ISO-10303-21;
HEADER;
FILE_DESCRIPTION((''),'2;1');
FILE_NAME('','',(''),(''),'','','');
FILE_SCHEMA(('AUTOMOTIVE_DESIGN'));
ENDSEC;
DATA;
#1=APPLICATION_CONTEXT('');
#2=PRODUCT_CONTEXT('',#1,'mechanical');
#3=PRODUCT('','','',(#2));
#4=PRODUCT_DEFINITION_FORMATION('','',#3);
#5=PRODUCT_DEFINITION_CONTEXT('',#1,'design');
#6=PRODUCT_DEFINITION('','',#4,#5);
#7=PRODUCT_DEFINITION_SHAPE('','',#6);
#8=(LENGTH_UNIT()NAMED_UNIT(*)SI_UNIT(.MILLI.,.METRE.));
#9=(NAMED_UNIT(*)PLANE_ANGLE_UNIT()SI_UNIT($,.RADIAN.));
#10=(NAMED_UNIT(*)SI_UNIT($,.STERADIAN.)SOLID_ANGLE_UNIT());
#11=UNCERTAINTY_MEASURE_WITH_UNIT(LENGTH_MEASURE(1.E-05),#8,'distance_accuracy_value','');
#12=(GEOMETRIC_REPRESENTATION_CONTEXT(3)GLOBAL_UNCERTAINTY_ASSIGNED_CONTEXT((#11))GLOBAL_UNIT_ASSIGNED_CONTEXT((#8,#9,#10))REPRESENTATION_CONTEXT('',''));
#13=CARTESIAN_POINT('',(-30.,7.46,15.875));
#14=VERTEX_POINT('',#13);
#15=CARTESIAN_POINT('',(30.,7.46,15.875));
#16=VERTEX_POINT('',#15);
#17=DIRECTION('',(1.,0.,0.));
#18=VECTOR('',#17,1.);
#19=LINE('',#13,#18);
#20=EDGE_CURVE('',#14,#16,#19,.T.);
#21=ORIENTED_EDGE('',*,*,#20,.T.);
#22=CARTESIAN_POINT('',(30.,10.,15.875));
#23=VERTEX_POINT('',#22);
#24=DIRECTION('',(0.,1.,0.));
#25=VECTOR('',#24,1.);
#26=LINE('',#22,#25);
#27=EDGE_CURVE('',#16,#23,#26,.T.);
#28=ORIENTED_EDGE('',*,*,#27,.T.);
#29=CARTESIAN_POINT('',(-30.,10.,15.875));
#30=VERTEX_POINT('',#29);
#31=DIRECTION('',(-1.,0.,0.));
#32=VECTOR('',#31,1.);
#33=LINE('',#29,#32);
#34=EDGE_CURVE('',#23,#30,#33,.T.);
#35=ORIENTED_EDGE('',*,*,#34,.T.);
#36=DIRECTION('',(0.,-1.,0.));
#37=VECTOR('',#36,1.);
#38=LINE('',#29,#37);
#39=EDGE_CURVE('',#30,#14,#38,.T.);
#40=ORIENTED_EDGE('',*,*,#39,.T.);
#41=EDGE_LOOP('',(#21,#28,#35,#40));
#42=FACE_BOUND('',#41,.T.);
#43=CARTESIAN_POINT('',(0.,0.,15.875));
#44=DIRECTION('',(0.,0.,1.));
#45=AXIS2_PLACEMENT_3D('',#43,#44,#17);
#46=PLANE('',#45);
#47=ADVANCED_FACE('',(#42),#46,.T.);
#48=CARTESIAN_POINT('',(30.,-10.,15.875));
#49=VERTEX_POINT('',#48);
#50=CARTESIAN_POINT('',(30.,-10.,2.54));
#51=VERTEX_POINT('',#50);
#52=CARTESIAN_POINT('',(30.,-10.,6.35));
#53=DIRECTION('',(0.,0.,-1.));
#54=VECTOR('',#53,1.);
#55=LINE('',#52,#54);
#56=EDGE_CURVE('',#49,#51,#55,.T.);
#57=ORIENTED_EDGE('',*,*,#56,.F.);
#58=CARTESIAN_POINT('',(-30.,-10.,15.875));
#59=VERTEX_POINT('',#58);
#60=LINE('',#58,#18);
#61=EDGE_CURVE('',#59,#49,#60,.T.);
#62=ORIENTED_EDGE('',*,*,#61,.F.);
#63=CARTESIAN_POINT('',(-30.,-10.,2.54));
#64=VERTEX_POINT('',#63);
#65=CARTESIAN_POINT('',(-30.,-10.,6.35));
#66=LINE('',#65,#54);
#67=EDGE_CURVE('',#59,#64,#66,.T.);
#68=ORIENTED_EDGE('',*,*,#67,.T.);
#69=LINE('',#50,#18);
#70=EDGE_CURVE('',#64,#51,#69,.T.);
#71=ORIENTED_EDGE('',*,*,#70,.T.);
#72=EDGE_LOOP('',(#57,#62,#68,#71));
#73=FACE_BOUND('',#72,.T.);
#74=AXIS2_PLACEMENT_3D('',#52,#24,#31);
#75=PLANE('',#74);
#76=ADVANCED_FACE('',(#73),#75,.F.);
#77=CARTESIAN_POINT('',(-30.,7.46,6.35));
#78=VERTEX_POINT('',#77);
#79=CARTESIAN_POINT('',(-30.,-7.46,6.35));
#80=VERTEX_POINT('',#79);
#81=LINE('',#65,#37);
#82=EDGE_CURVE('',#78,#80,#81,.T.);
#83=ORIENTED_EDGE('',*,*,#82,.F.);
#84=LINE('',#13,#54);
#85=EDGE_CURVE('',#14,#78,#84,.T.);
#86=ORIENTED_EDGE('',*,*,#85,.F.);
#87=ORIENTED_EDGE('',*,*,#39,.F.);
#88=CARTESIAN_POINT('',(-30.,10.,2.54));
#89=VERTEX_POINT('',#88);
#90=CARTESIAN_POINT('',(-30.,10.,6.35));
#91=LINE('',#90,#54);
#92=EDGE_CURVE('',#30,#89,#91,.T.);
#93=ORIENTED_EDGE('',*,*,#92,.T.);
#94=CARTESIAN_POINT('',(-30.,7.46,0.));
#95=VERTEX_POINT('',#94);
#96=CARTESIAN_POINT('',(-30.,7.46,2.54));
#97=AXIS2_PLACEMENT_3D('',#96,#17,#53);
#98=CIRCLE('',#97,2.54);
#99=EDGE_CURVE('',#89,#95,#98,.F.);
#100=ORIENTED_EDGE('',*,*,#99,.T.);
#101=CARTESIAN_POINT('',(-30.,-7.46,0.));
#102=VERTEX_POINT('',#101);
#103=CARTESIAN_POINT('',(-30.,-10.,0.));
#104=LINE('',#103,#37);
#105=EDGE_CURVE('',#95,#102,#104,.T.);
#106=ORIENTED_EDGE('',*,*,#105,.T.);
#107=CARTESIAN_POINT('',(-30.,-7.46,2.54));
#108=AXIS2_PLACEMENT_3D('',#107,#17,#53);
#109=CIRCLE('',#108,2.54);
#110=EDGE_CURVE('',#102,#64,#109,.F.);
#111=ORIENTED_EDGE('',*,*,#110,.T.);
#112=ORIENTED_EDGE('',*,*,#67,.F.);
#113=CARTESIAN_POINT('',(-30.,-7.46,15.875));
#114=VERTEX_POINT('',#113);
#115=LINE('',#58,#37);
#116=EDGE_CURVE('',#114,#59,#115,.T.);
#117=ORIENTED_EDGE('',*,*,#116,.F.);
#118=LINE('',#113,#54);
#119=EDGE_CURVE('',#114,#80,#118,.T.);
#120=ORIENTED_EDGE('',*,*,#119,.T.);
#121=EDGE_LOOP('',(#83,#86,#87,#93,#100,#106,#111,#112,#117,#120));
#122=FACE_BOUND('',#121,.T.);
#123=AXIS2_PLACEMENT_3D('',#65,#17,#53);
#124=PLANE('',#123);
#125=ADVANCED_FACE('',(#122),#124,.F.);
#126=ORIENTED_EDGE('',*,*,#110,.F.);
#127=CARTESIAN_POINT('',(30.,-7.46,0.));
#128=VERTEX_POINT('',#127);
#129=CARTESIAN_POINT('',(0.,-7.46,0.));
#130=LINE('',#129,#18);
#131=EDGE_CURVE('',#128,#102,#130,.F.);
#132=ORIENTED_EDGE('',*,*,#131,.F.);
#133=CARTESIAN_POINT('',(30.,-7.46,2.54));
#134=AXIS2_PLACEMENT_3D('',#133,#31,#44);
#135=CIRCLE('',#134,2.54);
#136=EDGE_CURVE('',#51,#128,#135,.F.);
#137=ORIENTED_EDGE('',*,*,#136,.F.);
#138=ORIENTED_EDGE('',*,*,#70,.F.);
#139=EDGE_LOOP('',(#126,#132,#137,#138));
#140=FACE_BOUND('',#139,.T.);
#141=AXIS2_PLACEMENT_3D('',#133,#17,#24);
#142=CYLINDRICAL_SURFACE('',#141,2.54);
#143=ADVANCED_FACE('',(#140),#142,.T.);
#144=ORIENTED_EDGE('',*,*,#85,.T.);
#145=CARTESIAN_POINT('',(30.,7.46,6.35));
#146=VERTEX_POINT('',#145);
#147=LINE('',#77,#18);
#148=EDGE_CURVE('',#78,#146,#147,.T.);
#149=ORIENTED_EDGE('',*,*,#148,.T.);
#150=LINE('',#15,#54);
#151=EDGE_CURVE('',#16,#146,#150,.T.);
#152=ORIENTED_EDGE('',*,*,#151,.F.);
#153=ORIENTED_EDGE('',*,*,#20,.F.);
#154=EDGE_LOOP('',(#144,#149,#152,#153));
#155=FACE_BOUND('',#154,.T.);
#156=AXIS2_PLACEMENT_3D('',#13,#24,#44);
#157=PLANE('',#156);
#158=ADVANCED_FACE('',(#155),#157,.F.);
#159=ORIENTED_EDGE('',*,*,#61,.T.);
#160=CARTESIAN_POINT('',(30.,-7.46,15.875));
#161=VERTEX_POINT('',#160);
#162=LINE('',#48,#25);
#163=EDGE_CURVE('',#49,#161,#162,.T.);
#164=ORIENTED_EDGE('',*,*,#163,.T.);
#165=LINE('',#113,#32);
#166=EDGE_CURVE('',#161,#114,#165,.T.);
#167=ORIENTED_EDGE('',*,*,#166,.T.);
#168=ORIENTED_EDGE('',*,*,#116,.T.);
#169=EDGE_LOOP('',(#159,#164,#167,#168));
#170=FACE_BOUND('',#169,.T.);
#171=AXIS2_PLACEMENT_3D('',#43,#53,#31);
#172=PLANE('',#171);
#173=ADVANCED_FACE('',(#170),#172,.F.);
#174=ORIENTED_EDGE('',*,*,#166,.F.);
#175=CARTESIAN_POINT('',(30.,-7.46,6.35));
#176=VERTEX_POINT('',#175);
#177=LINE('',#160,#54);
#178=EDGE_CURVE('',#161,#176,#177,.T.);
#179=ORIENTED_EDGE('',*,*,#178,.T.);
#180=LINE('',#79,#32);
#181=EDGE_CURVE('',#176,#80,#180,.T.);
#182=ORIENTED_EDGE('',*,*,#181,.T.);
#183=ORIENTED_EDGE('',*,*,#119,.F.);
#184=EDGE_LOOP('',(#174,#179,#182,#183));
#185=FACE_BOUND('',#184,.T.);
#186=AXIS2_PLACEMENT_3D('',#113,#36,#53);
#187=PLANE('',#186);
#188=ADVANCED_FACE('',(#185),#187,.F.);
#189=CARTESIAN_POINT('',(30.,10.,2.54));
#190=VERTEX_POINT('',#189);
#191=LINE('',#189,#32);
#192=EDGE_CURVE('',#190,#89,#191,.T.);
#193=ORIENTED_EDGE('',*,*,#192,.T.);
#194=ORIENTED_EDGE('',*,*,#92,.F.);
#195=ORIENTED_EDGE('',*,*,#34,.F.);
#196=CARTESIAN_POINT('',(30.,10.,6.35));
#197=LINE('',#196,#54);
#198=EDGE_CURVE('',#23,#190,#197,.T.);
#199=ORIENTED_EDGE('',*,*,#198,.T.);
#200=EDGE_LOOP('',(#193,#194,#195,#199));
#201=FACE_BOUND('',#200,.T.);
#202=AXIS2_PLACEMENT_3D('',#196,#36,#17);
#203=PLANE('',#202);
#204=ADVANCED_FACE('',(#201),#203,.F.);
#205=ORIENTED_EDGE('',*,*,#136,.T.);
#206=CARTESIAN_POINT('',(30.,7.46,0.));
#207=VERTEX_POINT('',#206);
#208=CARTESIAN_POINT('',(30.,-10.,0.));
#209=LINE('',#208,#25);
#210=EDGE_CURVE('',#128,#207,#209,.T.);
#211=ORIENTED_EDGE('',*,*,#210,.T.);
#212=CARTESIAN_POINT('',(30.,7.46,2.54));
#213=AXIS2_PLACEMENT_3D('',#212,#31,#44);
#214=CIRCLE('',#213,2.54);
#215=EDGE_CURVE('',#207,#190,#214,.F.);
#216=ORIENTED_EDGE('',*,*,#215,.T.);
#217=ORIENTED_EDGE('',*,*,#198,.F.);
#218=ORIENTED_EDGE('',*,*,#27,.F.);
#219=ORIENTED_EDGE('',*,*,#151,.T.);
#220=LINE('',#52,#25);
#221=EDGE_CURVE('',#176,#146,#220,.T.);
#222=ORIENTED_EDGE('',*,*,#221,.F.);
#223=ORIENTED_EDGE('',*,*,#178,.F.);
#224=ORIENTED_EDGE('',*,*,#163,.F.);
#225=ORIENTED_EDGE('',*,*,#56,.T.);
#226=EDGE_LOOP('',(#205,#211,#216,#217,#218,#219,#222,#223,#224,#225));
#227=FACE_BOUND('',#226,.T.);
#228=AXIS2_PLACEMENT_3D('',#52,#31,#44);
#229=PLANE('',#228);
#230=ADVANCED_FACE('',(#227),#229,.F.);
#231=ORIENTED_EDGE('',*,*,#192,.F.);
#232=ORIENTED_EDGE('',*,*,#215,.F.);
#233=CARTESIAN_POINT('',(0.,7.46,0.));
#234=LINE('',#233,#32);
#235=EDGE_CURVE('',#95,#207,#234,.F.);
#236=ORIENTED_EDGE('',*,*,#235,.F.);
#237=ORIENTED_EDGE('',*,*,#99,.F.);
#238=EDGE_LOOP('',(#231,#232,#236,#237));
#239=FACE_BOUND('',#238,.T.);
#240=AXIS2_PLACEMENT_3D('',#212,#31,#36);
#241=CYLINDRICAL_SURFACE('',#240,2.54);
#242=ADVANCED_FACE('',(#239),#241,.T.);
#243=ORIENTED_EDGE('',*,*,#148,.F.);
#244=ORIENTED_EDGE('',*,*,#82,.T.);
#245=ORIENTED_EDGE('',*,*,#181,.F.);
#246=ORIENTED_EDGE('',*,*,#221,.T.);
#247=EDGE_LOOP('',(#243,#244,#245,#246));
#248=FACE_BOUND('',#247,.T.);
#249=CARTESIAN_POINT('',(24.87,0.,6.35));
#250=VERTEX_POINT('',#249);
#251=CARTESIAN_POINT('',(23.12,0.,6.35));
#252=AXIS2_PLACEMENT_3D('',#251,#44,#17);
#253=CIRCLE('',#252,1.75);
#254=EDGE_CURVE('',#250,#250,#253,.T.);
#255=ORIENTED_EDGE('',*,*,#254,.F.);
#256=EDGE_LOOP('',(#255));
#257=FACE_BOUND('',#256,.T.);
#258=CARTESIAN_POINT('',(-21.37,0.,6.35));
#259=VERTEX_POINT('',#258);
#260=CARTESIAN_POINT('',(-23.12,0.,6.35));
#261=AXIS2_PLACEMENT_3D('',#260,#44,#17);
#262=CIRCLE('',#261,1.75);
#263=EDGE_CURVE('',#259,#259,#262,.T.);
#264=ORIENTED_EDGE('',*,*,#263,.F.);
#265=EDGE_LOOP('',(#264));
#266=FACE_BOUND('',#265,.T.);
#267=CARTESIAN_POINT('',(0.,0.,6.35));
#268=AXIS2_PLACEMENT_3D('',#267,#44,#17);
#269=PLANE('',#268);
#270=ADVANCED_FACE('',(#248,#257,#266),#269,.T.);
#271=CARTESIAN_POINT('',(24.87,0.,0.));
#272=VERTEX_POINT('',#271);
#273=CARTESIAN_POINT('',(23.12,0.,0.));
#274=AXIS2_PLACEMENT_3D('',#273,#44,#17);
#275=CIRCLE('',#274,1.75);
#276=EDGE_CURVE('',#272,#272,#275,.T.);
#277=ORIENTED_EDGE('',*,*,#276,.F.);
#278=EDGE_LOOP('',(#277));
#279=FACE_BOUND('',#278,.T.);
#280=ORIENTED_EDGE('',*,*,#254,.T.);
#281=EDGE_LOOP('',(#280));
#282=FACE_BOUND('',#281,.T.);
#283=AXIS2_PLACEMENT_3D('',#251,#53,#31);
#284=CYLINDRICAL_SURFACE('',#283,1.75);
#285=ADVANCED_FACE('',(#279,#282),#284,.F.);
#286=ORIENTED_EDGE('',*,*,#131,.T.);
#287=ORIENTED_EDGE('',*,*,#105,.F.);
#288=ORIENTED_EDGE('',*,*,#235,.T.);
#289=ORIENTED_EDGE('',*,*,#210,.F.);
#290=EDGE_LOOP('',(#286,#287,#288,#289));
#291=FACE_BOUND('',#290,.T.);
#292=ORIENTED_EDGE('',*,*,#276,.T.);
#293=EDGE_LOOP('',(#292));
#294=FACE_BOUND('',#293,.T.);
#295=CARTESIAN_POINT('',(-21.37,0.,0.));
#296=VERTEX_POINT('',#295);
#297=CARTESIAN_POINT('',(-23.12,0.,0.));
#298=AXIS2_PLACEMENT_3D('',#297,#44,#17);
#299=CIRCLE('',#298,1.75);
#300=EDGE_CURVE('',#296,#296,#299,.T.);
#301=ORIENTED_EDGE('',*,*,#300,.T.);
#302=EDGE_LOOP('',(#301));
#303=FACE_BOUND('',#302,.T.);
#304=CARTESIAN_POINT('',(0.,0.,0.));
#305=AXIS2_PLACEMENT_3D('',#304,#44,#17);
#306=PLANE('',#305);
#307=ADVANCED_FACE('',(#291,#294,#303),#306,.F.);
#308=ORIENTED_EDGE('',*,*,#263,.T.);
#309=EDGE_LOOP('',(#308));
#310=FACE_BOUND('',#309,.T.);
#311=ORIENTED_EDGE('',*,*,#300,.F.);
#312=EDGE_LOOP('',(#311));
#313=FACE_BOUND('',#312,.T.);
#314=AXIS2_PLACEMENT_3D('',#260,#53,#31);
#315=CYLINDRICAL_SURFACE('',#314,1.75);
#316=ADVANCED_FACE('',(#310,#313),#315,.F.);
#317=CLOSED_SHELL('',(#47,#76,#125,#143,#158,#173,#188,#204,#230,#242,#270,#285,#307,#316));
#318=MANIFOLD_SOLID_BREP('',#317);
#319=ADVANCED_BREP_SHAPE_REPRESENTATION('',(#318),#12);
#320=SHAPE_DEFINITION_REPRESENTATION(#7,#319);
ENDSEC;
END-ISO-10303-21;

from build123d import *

# Parameters (mm, degrees)
SKETCH1_W           = 60
SKETCH1_H           = 20
SKETCH1_R           = 1.75
BOSS_EXTRUDE1_DEPTH = 6.35
SKETCH2_W           = 60
SKETCH2_H           = 2.54
BOSS_EXTRUDE2_DEPTH = 9.525
FILLET1_R           = 2.54


with BuildPart() as part:
    # Sketch1 → Boss-Extrude1 (new body)
    with BuildSketch(Plane.XY):
        Rectangle(SKETCH1_W, SKETCH1_H)
        with Locations((-23.12, 0)):
            Circle(SKETCH1_R, mode=Mode.SUBTRACT)
        with Locations((23.12, 0)):
            Circle(SKETCH1_R, mode=Mode.SUBTRACT)
    extrude(amount=BOSS_EXTRUDE1_DEPTH)

    # Sketch2 → Boss-Extrude2 (add)
    with BuildSketch(Plane.XY.offset(6.35)):
        with Locations((0, 8.73)):
            Rectangle(SKETCH2_W, SKETCH2_H)
        with Locations((0, -8.73)):
            Rectangle(SKETCH2_W, SKETCH2_H)
    extrude(amount=BOSS_EXTRUDE2_DEPTH)

    # Fillet1
    fillet1_edges = [part.edges().sort_by_distance(p)[0] for p in [
        (0, 10, 0),
        (0, -10, 0),
    ]]
    fillet(fillet1_edges, radius=FILLET1_R)


solid = part.part
